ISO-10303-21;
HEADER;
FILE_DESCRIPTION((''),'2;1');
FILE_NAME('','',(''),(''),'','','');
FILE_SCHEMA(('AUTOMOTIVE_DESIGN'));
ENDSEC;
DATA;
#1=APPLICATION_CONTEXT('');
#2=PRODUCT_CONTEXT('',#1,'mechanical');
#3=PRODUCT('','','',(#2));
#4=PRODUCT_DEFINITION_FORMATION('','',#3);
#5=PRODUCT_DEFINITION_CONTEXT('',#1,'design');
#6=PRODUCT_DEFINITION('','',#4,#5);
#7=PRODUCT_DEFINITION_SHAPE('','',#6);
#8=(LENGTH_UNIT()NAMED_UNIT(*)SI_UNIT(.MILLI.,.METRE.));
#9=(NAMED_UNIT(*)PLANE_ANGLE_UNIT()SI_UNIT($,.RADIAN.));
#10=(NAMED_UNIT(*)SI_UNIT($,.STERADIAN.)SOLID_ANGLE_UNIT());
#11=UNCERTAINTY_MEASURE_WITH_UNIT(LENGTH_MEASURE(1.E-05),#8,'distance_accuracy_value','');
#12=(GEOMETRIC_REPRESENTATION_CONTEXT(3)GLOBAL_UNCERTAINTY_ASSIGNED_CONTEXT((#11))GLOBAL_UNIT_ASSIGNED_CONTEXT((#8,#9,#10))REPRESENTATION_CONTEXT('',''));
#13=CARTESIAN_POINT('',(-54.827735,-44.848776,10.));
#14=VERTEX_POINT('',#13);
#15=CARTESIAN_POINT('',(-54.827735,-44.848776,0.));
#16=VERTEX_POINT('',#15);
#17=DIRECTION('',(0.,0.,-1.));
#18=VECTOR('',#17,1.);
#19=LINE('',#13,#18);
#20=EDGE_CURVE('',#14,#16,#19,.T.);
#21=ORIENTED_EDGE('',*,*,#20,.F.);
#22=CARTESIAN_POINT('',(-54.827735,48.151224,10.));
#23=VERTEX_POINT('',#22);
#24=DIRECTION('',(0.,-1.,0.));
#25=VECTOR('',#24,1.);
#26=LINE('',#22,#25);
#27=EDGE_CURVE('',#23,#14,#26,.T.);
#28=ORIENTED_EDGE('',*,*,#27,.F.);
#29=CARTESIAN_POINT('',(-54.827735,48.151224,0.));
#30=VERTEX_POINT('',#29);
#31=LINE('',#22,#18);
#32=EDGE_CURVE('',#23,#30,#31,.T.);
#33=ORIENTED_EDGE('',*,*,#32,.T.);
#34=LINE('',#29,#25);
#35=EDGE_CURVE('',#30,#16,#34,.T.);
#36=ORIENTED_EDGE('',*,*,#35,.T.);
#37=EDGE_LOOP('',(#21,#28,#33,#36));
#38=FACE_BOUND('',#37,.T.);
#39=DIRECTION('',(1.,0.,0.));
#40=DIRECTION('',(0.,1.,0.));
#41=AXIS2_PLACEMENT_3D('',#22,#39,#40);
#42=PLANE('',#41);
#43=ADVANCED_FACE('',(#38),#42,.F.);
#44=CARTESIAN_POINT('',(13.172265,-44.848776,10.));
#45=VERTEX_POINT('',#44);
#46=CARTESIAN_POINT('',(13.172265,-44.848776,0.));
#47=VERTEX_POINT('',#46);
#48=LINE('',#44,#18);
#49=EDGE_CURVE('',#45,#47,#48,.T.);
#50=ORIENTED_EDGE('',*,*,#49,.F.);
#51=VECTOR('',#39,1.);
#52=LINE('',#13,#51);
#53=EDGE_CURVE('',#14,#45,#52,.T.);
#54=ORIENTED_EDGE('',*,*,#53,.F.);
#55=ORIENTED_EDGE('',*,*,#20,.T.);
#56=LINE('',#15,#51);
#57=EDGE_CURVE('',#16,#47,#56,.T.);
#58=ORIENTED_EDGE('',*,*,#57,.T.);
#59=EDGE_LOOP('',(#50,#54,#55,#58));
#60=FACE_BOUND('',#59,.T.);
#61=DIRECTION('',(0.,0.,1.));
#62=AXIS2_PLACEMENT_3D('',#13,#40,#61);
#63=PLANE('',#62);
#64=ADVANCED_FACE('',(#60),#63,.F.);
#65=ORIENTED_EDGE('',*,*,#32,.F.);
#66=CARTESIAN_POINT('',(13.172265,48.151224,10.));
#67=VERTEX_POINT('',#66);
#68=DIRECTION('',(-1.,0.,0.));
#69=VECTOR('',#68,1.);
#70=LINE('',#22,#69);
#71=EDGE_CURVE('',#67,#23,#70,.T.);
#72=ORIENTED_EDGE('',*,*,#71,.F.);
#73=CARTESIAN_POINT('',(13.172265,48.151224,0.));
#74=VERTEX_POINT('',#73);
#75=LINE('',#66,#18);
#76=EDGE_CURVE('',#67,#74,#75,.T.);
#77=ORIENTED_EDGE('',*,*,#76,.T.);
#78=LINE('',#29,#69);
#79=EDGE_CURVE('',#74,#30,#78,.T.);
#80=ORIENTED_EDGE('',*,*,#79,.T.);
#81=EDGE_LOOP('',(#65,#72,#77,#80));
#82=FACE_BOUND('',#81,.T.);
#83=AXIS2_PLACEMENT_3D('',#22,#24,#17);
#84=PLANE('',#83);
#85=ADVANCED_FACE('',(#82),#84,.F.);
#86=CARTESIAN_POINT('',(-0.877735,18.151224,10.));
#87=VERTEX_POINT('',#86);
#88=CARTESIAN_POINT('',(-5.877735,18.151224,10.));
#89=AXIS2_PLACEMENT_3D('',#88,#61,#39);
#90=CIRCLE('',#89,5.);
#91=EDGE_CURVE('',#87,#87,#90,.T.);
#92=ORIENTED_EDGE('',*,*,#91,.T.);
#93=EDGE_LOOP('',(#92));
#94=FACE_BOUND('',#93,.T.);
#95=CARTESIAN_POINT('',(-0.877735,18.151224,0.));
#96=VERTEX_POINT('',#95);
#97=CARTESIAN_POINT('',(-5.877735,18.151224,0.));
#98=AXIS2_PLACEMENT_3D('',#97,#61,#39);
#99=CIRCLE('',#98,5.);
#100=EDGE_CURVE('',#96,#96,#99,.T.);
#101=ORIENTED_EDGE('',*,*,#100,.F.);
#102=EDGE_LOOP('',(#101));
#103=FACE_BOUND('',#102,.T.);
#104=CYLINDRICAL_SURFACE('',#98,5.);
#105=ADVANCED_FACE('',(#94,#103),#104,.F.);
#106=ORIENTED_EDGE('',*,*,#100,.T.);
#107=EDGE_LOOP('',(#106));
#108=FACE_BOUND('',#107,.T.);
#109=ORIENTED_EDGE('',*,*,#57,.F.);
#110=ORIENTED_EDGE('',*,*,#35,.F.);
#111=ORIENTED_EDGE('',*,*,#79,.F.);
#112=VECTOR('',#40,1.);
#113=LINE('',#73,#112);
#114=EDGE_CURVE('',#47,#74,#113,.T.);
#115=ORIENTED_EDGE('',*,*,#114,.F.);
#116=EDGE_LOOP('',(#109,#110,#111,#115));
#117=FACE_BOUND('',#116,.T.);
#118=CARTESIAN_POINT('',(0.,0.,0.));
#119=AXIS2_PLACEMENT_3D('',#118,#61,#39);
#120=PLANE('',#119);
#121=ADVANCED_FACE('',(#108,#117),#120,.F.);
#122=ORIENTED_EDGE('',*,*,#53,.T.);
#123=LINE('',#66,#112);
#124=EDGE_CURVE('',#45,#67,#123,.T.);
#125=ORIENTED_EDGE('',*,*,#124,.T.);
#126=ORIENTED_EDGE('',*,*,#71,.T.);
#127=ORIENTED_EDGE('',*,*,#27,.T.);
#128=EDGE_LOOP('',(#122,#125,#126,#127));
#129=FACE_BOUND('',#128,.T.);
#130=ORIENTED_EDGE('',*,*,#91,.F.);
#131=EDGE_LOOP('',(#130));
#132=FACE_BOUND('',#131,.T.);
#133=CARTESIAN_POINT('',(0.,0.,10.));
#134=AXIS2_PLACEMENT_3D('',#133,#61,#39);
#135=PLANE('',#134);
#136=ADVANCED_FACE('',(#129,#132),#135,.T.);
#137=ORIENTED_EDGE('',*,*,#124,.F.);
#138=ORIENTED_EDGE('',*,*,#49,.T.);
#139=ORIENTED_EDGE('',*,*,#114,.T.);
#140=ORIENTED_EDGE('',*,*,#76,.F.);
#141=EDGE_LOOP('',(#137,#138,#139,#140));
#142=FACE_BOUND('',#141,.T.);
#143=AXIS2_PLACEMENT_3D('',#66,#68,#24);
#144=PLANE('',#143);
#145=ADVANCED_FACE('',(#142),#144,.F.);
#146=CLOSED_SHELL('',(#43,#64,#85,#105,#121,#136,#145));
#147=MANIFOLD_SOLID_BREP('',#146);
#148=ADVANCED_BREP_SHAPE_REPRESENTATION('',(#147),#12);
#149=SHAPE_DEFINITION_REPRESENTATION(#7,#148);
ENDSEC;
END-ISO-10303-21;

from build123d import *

# Parameters (mm, degrees)
CROQUIS1_W              = 68
CROQUIS1_H              = 93
SALIENTE_EXTRUIR1_DEPTH = 10
CROQUIS2_R              = 5
CORTAR_EXTRUIR1_DEPTH   = 11


with BuildPart() as part:
    # Croquis1 → Saliente-Extruir1 (new body)
    with BuildSketch(Plane.XY):
        with Locations((-20.827735365, 1.651223582)):
            Rectangle(CROQUIS1_W, CROQUIS1_H)
    extrude(amount=SALIENTE_EXTRUIR1_DEPTH)

    # Croquis2 → Cortar-Extruir1 (cut, through all)
    with BuildSketch(Plane.XY.offset(10)):
        with Locations((-5.877735365, 18.151223582)):
            Circle(CROQUIS2_R)
    extrude(amount=-CORTAR_EXTRUIR1_DEPTH, mode=Mode.SUBTRACT)


solid = part.part
